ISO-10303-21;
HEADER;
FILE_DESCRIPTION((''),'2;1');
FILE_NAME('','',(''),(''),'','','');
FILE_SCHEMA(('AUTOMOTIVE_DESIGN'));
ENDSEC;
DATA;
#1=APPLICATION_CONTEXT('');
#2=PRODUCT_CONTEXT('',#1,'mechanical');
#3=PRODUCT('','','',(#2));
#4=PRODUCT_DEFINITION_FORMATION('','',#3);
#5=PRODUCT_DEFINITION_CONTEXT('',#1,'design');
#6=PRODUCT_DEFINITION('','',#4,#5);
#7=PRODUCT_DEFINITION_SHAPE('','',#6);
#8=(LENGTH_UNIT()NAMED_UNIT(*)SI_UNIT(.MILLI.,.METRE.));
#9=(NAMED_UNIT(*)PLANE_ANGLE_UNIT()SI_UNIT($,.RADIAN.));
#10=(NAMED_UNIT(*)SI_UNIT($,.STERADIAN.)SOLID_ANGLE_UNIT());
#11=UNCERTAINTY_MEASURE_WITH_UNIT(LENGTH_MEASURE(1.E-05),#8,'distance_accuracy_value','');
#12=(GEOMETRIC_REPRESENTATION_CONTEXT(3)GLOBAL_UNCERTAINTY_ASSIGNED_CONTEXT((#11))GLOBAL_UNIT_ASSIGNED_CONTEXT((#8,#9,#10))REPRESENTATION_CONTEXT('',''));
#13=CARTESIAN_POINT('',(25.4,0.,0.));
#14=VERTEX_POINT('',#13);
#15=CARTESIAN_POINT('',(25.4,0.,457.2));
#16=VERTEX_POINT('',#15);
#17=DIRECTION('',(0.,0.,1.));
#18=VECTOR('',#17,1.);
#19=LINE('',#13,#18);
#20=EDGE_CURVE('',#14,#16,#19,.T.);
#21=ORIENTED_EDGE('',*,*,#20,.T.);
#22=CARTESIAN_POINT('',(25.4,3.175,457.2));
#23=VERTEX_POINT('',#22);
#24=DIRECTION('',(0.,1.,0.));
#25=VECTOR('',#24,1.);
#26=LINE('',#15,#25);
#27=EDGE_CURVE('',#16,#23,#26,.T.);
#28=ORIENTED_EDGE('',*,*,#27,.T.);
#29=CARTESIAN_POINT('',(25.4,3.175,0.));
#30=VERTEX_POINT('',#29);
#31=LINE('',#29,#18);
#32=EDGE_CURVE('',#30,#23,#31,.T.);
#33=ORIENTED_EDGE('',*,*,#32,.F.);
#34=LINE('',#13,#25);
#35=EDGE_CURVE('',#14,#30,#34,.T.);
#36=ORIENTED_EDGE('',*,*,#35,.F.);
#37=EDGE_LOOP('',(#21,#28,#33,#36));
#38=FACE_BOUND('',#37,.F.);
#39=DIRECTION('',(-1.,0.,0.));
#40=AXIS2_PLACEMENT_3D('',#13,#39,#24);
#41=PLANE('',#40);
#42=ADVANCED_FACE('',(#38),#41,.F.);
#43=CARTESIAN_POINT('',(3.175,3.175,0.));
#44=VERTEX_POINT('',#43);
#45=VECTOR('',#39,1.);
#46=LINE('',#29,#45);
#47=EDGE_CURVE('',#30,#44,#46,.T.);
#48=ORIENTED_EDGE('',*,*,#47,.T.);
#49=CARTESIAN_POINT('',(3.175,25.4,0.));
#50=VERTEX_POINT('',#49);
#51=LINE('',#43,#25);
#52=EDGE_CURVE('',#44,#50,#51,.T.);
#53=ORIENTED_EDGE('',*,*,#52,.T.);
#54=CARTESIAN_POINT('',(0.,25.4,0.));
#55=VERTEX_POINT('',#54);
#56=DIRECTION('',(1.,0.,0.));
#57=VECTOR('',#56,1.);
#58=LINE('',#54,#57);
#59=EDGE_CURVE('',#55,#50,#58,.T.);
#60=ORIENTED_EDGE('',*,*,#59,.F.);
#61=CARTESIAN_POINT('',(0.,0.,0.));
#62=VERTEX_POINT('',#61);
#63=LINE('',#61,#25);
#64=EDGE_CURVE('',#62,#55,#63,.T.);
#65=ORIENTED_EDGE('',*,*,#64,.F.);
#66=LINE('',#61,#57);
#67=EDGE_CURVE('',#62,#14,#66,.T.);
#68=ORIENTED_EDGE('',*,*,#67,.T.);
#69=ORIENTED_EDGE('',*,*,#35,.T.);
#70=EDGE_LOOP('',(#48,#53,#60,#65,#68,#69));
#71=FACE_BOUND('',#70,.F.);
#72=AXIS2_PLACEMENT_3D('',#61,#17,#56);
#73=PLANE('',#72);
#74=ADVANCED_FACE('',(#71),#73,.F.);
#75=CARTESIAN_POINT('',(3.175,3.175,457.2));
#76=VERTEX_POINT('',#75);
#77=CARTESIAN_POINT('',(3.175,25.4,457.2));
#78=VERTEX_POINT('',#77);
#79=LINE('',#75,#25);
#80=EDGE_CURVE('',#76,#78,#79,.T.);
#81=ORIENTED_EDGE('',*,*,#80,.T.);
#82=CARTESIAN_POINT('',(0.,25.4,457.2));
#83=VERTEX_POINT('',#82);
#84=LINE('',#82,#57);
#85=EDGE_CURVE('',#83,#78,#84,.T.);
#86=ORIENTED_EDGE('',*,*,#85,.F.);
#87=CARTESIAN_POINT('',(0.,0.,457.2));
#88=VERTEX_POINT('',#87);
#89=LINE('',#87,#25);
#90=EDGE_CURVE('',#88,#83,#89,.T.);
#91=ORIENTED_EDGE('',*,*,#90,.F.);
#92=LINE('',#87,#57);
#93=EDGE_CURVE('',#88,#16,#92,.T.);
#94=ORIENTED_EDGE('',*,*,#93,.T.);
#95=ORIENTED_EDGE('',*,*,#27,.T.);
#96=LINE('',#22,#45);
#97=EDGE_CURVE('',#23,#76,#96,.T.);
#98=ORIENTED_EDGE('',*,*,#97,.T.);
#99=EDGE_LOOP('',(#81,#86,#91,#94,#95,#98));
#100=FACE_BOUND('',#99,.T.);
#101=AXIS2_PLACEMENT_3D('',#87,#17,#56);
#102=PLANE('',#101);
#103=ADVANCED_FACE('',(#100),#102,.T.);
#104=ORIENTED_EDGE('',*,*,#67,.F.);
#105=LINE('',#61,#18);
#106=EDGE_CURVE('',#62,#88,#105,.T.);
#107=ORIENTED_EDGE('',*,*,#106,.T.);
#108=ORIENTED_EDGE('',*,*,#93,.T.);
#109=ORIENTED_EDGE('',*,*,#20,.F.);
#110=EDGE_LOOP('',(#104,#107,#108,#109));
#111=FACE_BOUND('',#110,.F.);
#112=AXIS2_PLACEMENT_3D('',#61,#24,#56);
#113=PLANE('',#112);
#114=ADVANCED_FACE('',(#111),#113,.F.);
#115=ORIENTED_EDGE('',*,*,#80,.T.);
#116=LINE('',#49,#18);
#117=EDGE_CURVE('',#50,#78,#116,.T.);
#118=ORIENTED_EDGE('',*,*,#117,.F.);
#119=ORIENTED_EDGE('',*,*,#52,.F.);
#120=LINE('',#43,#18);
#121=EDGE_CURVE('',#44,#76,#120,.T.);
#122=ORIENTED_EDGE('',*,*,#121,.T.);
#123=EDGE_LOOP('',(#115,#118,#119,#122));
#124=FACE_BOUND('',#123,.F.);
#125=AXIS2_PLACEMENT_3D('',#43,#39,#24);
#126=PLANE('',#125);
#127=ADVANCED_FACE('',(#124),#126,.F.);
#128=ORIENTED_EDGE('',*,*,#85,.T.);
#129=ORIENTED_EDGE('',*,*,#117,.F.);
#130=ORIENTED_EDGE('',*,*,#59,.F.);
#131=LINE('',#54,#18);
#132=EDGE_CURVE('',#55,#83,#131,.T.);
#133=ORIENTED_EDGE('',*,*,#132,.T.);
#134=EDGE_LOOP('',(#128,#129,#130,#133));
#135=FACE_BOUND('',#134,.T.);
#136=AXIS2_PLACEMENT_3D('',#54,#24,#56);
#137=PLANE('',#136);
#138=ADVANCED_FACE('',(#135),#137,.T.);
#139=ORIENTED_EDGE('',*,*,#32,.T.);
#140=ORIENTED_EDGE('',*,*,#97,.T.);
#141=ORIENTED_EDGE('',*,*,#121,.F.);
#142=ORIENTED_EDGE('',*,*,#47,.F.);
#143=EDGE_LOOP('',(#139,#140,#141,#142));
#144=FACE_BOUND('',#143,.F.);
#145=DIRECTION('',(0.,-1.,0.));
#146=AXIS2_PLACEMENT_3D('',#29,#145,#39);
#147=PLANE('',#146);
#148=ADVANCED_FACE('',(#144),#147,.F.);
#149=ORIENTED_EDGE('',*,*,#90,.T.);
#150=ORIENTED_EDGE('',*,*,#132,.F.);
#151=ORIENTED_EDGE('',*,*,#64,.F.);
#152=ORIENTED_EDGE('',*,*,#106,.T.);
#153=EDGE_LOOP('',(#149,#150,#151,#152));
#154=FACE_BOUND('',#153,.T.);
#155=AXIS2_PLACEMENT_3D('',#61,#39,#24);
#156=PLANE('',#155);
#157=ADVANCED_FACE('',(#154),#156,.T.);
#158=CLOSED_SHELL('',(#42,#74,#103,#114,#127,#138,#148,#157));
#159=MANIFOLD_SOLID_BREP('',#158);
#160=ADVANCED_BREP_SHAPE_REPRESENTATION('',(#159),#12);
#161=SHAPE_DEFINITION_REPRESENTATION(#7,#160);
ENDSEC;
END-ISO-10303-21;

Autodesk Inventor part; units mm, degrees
ref_plane "YZ Plane" through (0, 0, 0) normal (1, 0, 0) x (0, 1, 0)
ref_plane "XZ Plane" through (0, 0, 0) normal (0, 1, 0) x (-1, 0, 0)
ref_plane "XY Plane" through (0, 0, 0) normal (0, 0, 1) x (1, 0, 0)
sketch "Sketch1" plane through (0, 0, 0) normal (0, 0, 1) x (1, 0, 0)
  line L0 (0, 0) -> (0, 25.4)
  line L1 (0, 25.4) -> (3.175, 25.4)
  line L2 (0, 0) -> (25.4, 0)
  line L3 (25.4, 0) -> (25.4, 3.175)
  line L4 (25.4, 3.175) -> (3.175, 3.175)
  line L5 (3.175, 3.175) -> (3.175, 25.4)
  dimension "d0" = 25.4
  dimension "d1" = 3.175
  dimension "d2" = 25.4
  dimension "d3" = 3.175
extrude "Extrusion1" add sketch "Sketch1" along normal blind 457.2
properties part number "SUP_006_FlywheelLBracketMount" material "Aluminum 6061"
